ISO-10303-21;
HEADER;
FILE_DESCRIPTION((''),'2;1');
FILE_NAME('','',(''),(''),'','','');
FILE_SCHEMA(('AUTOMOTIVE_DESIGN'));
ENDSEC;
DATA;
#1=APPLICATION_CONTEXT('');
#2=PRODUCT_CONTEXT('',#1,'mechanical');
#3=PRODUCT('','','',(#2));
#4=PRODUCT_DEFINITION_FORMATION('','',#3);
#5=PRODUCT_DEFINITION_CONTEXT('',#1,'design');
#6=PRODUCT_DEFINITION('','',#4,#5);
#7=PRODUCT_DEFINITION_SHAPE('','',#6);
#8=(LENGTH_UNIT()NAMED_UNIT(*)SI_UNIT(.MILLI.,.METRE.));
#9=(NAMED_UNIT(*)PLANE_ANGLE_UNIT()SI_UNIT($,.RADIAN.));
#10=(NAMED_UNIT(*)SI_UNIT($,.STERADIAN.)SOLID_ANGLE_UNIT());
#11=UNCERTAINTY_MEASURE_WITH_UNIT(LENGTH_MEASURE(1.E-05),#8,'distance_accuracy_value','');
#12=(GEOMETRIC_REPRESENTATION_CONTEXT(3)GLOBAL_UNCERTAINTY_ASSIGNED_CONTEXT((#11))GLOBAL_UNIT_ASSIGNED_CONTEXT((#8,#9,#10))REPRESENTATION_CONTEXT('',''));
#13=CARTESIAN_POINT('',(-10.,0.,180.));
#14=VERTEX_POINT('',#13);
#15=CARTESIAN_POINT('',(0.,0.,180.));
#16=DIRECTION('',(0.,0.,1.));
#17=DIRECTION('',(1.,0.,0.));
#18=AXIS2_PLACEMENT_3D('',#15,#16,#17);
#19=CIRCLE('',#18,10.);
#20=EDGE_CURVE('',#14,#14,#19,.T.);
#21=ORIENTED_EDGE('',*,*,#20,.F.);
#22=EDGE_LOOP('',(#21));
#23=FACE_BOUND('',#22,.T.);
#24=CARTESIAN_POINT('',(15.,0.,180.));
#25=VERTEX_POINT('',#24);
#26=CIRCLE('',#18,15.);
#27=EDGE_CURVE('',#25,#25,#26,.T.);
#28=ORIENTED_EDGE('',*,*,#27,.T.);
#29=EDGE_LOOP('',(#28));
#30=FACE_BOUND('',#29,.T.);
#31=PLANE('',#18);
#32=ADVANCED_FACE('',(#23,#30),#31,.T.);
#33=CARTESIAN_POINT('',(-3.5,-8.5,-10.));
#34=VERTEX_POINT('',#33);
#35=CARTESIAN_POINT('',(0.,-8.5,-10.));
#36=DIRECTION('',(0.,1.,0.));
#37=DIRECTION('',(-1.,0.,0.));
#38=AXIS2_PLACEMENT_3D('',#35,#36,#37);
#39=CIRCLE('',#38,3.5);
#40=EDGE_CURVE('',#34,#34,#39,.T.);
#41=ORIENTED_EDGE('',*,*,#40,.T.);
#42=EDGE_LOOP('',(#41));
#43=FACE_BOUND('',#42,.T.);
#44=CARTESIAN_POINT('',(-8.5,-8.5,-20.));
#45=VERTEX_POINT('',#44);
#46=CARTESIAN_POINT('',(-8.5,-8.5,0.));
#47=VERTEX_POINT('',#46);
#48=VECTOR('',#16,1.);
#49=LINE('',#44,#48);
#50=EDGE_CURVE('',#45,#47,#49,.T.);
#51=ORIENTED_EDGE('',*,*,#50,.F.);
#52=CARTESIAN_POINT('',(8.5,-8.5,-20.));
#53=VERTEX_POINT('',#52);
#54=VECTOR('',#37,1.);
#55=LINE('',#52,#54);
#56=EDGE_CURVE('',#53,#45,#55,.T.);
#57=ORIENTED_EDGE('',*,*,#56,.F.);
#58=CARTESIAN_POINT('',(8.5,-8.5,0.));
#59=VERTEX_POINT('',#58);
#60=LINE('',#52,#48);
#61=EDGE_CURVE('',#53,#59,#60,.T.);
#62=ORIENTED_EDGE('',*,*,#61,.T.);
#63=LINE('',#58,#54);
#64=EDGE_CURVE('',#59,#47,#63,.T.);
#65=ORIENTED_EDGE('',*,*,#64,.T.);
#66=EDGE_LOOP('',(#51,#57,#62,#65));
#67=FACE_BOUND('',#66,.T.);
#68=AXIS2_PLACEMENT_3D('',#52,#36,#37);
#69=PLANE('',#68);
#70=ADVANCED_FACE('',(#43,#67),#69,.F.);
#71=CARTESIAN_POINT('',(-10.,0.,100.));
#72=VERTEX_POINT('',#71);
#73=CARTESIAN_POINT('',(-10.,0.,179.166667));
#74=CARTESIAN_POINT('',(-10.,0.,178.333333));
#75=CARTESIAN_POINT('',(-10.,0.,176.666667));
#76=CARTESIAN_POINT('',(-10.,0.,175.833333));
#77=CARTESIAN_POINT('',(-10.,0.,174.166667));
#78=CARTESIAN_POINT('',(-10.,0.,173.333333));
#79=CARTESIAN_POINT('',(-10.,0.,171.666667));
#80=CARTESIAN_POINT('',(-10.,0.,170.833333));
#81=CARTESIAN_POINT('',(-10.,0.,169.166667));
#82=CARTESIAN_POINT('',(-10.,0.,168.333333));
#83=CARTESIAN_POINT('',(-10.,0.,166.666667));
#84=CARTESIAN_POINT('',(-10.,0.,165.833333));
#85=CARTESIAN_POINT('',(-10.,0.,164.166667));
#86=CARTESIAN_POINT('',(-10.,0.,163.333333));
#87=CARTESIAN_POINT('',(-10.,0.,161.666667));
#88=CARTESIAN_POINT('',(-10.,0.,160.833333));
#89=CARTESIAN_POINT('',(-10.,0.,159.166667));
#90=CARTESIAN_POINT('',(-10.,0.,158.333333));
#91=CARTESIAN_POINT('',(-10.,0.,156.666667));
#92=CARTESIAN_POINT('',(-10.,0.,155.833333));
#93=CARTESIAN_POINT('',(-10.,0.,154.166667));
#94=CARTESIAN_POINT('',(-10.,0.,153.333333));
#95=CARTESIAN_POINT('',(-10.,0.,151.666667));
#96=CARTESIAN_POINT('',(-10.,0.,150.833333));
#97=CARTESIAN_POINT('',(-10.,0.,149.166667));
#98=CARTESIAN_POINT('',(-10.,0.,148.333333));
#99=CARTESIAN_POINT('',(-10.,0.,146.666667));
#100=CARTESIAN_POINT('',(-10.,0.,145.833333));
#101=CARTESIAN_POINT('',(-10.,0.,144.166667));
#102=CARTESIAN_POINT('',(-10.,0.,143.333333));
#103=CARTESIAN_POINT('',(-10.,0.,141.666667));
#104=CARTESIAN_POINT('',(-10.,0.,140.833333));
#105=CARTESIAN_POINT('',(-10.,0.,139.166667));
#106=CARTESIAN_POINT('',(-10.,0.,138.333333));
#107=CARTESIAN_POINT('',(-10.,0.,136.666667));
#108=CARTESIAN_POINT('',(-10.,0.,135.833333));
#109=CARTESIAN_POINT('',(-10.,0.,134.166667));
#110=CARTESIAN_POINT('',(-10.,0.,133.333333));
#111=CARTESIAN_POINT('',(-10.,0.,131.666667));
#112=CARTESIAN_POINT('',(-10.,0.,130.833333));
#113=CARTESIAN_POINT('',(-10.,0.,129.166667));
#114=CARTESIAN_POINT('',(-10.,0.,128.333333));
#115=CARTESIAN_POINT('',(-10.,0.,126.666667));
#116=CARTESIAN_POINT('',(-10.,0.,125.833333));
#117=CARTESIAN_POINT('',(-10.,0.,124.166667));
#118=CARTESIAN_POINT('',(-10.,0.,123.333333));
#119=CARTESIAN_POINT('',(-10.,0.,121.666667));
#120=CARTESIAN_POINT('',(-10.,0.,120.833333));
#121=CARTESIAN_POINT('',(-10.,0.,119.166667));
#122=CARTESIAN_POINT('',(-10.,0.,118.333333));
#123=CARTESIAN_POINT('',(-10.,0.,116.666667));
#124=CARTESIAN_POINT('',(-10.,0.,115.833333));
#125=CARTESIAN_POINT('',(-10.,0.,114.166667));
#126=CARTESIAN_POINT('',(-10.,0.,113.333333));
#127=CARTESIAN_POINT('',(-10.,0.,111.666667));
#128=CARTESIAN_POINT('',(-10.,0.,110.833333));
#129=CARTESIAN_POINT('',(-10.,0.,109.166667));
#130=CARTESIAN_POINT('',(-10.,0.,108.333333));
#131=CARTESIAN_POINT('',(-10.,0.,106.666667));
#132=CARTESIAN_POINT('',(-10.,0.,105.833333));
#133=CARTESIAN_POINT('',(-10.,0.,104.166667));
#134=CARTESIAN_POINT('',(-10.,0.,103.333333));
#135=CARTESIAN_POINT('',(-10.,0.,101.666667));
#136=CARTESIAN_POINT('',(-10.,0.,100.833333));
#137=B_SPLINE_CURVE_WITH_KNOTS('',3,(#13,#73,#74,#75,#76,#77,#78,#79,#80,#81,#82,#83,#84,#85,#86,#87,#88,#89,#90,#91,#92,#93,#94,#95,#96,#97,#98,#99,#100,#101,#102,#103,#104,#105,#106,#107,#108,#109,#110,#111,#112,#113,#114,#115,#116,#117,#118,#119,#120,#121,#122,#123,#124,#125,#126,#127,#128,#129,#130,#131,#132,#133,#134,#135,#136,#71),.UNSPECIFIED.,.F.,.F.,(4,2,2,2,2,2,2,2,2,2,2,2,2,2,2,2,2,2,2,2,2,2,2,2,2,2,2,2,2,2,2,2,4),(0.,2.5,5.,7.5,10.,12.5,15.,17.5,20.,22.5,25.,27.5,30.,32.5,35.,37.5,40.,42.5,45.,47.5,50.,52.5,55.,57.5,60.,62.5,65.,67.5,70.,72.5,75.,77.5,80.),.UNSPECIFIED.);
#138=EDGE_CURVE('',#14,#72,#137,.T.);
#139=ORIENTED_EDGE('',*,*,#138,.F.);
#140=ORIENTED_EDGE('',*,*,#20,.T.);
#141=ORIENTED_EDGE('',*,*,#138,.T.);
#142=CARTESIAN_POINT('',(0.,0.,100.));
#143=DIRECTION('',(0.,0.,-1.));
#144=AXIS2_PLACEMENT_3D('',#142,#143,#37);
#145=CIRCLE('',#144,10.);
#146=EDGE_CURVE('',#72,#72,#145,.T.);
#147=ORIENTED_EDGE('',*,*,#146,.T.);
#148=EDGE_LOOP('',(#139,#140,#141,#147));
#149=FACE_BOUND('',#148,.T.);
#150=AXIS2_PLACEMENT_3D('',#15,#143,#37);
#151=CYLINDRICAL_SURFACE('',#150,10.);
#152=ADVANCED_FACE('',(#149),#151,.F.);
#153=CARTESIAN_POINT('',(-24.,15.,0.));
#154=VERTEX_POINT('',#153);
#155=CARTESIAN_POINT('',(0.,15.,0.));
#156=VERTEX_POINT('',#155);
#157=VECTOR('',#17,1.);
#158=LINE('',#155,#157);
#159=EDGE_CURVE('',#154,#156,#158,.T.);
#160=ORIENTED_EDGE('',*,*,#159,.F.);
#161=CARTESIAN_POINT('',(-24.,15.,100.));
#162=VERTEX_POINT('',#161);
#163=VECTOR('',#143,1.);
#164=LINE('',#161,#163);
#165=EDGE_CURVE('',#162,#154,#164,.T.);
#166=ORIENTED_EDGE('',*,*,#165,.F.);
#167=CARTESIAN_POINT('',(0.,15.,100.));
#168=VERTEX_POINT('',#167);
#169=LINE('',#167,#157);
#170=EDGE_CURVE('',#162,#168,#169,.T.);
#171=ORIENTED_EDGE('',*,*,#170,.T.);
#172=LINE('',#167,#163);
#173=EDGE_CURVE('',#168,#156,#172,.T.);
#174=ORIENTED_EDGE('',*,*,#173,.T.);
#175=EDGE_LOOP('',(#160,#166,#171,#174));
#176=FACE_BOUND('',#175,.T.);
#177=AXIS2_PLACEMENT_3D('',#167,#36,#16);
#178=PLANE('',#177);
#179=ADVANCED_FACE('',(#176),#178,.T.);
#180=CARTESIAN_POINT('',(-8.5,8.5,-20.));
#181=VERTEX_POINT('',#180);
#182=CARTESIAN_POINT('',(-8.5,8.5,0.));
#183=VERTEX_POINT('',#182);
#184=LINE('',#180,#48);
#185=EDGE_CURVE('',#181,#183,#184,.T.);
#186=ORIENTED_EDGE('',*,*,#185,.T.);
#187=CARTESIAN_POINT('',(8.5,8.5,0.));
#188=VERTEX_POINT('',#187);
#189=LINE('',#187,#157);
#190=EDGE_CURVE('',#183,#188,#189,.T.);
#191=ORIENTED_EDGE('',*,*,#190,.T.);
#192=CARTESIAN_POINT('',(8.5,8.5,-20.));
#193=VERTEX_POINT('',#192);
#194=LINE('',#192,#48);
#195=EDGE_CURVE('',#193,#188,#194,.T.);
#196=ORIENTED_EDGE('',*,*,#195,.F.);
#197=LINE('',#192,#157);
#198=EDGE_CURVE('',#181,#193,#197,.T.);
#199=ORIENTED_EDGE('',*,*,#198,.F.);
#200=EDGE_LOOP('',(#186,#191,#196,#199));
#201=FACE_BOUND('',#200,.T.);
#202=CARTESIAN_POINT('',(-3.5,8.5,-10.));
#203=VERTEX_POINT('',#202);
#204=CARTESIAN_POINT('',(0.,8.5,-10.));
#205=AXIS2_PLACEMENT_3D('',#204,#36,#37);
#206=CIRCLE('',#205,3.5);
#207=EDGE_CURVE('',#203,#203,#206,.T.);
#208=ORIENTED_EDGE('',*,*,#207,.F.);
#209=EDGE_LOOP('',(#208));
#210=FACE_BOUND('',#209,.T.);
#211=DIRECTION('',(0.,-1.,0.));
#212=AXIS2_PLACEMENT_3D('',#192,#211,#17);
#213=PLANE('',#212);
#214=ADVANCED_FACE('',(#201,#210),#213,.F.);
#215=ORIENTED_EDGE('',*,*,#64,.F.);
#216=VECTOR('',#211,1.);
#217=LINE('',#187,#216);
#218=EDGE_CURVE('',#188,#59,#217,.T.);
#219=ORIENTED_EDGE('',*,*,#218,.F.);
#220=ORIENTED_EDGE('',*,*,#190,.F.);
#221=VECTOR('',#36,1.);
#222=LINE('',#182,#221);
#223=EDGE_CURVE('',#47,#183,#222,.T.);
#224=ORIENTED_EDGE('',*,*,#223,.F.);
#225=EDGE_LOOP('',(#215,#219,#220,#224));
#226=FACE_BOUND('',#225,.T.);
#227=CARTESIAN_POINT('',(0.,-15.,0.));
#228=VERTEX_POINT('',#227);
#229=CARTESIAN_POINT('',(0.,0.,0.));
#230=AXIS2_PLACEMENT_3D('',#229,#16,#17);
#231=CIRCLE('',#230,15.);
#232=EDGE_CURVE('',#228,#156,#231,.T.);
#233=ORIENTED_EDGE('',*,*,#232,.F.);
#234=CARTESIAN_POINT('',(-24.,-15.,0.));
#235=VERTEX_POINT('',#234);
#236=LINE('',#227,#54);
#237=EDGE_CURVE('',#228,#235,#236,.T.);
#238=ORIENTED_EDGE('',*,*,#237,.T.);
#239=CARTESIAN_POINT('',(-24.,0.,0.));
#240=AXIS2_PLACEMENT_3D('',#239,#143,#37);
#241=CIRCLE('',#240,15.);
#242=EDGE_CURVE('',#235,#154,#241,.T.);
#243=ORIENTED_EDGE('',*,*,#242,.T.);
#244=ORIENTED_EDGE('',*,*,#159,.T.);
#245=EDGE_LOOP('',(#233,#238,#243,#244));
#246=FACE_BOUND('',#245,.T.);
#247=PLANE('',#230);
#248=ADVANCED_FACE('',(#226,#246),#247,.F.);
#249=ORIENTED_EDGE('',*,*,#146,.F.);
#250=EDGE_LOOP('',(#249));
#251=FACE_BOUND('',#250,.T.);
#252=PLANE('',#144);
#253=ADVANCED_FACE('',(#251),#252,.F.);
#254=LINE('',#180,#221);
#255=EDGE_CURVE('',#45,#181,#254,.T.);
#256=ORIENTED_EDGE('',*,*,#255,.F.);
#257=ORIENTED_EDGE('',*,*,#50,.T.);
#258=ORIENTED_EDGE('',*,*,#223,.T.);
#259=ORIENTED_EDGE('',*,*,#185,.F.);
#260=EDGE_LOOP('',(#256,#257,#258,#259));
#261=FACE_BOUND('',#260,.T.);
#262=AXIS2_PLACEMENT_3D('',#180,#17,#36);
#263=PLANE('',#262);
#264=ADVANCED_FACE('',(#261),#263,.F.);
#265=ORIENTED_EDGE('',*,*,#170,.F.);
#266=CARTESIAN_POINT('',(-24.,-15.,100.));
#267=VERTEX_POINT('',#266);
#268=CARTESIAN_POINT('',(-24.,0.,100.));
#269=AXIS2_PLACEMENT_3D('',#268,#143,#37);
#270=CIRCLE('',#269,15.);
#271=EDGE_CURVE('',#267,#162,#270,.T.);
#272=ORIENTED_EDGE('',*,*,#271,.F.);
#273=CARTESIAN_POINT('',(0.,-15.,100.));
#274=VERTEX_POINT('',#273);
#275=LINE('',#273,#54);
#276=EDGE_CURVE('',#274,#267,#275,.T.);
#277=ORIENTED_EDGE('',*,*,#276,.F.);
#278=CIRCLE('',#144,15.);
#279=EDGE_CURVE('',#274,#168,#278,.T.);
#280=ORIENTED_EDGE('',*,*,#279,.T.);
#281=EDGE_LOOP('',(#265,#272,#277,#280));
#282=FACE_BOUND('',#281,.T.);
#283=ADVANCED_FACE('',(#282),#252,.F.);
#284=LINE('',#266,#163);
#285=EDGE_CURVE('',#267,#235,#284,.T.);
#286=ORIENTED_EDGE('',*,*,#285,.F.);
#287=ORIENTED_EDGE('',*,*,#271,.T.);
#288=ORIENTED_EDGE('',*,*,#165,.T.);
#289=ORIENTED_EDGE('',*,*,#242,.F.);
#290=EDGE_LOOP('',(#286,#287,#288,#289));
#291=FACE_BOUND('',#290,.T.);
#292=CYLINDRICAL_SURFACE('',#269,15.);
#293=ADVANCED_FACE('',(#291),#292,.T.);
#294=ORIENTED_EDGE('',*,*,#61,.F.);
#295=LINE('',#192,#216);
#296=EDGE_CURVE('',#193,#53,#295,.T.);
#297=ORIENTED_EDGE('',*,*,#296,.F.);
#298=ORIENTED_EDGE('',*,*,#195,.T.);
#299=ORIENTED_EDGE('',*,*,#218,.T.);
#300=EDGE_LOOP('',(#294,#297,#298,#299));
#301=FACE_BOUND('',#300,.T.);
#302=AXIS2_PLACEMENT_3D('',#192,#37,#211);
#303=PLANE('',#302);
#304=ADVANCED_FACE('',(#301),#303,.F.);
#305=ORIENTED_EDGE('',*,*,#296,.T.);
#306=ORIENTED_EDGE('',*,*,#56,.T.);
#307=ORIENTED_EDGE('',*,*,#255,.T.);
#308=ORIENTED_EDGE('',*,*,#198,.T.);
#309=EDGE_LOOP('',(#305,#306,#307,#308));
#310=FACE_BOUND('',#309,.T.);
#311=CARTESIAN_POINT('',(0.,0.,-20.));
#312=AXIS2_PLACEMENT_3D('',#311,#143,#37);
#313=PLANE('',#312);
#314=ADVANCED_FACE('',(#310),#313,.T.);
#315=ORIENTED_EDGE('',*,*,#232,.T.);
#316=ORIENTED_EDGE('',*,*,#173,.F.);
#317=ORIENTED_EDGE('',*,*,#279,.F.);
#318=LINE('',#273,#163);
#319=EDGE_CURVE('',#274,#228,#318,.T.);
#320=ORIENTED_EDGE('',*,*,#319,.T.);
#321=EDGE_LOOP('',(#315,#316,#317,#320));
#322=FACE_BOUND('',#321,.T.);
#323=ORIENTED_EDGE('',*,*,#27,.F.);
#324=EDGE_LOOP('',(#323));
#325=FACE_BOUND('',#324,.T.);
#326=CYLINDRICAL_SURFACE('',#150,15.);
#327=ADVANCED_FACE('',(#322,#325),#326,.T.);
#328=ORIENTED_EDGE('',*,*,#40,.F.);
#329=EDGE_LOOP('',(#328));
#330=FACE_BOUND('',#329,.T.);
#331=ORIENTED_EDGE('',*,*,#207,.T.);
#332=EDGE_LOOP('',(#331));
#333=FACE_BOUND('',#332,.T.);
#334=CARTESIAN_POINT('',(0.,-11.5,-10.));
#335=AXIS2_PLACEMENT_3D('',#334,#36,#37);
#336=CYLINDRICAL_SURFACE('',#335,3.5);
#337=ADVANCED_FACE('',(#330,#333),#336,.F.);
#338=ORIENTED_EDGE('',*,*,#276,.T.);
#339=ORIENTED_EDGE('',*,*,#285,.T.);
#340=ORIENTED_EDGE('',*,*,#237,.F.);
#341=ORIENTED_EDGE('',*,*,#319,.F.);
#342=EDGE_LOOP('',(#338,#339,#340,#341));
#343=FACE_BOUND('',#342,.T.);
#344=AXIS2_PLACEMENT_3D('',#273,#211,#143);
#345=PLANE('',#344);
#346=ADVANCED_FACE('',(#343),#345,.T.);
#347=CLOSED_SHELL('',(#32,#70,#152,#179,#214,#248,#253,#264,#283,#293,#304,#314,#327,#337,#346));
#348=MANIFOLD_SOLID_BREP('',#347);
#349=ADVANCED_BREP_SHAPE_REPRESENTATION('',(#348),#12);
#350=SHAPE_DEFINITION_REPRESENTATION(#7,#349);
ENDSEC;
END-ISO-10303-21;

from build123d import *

# Parameters (mm, degrees)
ESQUISSE1_R             = 15
ESQUISSE1_R_2           = 10
BOSS_EXTRU_1_DEPTH      = 180
BOSS_EXTRU_2_DEPTH      = 100
ESQUISSE3_W             = 17
ESQUISSE3_H             = 17
BOSS_EXTRU_3_DEPTH      = 20
ESQUISSE4_R             = 3.5
ENL_V_MAT_EXTRU_1_DEPTH = 20


with BuildPart() as part:
    # Esquisse1 → Boss.-Extru.1 (new body)
    with BuildSketch(Plane.XY):
        with Locations(Location((0, 0, 0), (0, 0, 180))):
            Circle(ESQUISSE1_R)
        with Locations(Location((0, 0, 0), (0, 0, 180))):
            Circle(ESQUISSE1_R_2, mode=Mode.SUBTRACT)
    extrude(amount=BOSS_EXTRU_1_DEPTH)

    # Esquisse2 → Boss.-Extru.2 (add)
    with BuildSketch(Plane(origin=(0, 0, 0), x_dir=(-1, 0, 0), z_dir=(0, 0, -1))):
        with BuildLine():
            Line((0, 15), (24, 15))
            ThreePointArc((24, 15), (39, 0), (24, -15))
            Line((24, -15), (0, -15))
            ThreePointArc((0, -15), (-15, 0), (0, 15))
        make_face()
    extrude(amount=-BOSS_EXTRU_2_DEPTH)

    # Esquisse3 → Boss.-Extru.3 (add)
    with BuildSketch(Plane(origin=(0, 0, 0), x_dir=(-1, 0, 0), z_dir=(0, 0, -1))):
        Rectangle(ESQUISSE3_W, ESQUISSE3_H)
    extrude(amount=BOSS_EXTRU_3_DEPTH)

    # Esquisse4 → Enlèv. mat.-Extru.1 (cut)
    with BuildSketch(Plane(origin=(0, 8.5, 0), x_dir=(1, 0, 0), z_dir=(0, 1, 0))):
        with Locations(Location((0, 10, 0), (0, 0, 180))):
            Circle(ESQUISSE4_R)
    extrude(amount=-ENL_V_MAT_EXTRU_1_DEPTH, mode=Mode.SUBTRACT)


solid = part.part
